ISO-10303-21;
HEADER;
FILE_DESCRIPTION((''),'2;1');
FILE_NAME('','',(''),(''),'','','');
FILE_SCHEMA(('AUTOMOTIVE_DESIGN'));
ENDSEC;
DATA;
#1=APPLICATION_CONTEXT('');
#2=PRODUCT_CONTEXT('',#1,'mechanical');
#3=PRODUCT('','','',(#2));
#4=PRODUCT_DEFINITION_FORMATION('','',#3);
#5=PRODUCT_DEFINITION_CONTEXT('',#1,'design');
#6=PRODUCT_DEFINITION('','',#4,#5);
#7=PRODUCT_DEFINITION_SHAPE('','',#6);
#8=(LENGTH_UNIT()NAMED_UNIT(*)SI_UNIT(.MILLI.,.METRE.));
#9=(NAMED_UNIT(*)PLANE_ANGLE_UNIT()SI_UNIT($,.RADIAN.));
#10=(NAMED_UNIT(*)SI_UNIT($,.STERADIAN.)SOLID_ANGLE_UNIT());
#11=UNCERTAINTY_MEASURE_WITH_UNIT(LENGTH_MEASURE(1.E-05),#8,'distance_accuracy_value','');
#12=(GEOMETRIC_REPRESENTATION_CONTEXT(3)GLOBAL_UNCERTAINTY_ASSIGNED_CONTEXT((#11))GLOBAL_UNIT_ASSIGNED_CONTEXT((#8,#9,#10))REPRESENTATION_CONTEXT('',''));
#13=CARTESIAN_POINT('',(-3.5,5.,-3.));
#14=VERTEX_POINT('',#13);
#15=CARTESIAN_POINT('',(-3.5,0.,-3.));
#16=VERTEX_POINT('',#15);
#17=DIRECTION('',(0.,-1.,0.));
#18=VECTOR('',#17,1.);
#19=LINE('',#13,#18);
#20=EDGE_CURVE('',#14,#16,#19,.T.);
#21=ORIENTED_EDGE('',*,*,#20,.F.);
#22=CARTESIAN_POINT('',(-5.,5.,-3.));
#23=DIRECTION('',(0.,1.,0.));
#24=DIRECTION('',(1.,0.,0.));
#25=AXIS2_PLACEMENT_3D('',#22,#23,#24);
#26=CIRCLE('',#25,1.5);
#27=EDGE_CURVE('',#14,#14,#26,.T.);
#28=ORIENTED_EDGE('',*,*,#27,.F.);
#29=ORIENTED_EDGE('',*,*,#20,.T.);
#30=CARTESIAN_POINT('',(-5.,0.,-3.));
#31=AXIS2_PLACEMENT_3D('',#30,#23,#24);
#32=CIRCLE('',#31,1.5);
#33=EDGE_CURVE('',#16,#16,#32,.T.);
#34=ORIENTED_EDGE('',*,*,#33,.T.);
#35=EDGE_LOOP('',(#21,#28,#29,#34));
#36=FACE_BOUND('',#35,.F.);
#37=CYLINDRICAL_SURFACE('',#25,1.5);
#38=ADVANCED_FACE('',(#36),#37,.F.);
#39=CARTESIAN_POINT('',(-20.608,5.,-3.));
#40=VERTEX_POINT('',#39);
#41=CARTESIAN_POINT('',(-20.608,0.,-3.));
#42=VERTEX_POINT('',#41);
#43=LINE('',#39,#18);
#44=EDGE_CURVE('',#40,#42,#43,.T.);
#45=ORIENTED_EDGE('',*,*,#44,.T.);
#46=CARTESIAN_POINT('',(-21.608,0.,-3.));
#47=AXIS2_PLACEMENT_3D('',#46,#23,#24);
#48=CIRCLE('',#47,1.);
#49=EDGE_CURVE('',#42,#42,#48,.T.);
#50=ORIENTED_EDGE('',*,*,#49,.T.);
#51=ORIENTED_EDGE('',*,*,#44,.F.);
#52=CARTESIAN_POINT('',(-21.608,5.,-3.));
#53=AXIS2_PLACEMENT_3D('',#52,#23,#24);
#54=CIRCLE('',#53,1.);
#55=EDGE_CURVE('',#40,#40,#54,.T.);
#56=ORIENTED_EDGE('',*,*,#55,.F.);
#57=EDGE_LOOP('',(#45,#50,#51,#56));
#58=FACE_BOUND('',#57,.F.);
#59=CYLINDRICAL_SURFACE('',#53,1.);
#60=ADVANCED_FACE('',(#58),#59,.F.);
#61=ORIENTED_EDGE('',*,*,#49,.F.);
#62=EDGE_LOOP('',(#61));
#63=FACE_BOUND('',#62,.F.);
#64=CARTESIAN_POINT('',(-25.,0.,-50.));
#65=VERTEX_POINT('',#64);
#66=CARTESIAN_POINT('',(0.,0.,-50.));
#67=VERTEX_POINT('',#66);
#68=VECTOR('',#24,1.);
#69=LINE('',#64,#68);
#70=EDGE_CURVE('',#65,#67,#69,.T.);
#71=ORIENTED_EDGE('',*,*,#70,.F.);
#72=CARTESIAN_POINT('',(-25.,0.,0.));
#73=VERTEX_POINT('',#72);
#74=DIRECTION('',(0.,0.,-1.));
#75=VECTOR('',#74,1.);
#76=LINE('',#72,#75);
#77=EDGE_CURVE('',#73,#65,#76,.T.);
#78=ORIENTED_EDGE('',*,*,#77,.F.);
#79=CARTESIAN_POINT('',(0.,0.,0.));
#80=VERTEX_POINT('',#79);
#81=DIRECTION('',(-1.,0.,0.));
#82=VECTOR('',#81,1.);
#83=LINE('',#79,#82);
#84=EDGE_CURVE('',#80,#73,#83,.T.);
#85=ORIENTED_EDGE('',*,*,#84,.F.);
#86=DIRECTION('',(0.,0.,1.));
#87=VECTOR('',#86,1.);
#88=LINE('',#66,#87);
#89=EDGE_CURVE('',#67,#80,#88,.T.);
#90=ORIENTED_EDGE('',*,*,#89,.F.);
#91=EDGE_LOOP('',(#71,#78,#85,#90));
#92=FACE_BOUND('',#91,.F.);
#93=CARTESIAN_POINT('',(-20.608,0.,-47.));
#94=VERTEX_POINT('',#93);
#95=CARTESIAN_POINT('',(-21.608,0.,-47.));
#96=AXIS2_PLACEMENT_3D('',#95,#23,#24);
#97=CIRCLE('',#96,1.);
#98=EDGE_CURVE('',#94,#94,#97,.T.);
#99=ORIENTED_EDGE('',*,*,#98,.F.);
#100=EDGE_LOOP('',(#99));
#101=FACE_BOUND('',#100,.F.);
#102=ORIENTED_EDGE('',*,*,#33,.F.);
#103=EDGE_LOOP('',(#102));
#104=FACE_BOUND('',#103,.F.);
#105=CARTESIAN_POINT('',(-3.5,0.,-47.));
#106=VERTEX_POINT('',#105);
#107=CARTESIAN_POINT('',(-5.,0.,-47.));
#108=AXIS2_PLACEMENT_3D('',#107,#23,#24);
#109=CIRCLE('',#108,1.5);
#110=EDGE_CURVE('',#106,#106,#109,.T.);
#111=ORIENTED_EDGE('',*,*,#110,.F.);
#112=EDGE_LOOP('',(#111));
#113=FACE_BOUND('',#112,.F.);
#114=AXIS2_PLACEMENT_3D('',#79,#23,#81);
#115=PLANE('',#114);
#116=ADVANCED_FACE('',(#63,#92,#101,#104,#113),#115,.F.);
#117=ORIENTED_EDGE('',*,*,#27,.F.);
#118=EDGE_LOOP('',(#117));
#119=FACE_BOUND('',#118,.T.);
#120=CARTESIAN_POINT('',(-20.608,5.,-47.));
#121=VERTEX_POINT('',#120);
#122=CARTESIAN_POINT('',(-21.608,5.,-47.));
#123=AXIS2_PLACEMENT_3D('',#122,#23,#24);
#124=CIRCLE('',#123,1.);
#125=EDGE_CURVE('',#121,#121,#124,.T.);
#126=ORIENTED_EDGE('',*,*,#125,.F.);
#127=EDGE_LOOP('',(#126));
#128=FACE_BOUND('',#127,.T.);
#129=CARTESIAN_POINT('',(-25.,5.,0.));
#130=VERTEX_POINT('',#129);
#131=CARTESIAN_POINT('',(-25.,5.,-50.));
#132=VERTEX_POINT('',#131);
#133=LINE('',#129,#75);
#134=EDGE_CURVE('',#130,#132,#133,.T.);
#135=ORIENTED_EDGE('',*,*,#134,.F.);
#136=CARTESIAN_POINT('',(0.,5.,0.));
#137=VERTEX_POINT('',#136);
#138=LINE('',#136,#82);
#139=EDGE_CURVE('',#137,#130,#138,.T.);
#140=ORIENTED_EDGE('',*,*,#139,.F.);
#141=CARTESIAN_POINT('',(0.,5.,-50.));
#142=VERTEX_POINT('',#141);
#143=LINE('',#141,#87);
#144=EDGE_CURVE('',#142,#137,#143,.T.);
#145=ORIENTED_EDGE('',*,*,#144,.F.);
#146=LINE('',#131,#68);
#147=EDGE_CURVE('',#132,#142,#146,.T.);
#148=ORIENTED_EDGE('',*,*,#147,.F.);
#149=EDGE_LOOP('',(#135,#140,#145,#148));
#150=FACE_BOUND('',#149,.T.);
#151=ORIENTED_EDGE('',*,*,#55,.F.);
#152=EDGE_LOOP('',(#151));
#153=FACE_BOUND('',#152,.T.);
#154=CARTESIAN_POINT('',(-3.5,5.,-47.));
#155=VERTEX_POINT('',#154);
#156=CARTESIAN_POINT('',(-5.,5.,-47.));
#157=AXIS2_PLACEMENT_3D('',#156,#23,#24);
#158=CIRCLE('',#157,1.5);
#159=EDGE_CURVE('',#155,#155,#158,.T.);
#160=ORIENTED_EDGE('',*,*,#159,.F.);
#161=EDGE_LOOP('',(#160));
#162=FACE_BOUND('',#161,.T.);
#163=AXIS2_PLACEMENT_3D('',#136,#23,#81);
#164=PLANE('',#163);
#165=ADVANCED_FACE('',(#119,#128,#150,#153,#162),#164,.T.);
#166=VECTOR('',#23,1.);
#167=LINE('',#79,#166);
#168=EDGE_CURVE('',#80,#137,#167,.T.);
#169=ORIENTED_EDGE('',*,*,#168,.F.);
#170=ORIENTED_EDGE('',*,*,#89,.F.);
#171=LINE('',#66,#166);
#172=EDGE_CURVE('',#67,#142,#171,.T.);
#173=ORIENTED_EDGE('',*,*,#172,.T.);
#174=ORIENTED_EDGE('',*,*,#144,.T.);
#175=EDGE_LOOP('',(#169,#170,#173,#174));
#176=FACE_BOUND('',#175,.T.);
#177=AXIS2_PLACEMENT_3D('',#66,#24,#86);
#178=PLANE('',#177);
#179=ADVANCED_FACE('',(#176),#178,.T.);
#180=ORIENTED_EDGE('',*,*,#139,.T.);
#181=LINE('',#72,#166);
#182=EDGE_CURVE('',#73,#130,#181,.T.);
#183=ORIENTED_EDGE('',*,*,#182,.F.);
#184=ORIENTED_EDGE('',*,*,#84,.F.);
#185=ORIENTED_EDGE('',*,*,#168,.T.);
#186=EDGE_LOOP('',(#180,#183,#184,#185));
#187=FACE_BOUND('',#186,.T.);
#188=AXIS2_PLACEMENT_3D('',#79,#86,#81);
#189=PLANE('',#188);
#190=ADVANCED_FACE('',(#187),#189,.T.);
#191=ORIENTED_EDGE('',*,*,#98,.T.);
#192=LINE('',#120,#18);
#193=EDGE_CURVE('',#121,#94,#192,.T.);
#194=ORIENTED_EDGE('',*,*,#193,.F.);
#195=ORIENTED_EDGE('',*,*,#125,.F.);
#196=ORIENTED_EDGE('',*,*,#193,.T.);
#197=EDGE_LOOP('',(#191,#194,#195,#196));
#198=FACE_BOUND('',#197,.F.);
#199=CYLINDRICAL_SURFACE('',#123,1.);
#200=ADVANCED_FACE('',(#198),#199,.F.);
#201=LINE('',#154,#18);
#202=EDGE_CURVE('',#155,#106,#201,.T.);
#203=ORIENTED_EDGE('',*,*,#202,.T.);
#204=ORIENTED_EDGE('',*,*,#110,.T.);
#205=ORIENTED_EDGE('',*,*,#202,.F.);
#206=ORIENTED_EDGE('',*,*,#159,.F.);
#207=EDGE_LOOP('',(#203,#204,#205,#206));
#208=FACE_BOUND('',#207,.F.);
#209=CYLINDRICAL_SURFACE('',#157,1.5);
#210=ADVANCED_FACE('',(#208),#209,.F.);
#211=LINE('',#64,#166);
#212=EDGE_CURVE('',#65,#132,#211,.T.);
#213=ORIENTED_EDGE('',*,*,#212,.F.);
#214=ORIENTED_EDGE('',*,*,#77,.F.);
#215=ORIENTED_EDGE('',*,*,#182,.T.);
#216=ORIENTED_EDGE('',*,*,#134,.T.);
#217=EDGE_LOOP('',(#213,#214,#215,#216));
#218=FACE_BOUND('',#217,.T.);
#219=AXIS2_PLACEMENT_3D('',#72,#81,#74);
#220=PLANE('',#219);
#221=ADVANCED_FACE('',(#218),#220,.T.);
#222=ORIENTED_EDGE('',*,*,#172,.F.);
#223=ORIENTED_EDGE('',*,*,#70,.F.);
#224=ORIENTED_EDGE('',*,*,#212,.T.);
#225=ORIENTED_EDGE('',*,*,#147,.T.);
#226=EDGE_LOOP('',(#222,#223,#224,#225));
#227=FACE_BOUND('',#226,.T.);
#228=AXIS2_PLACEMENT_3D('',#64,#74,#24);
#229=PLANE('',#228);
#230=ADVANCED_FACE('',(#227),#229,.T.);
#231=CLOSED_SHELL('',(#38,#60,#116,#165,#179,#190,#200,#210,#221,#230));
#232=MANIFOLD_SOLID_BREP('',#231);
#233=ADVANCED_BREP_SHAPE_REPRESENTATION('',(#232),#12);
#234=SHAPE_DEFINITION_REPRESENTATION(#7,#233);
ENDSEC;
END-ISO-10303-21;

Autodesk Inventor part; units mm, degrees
ref_plane "YZ Plane" through (0, 0, 0) normal (1, 0, 0) x (0, 1, 0)
ref_plane "XZ Plane" through (0, 0, 0) normal (0, 1, 0) x (-1, 0, 0)
ref_plane "XY Plane" through (0, 0, 0) normal (0, 0, 1) x (1, 0, 0)
sketch "Sketch1" plane through (0, 0, 0) normal (0, 1, 0) x (-1, 0, 0)
  line L0 (0, 0) -> (25, 0)
  line L1 (25, 0) -> (25, -50)
  line L2 (25, -50) -> (0, -50)
  line L3 (0, -50) -> (0, 0)
  dimension "d0" = 25
  dimension "d1" = 50
extrude "Extrusion1" add sketch "Sketch1" along normal blind 5
sketch "Sketch2" plane through (0, 5, 0) normal (0, 1, 0) x (1, 0, 0)
  point P0 (0, 0)
sketch "Sketch3" plane through (0, 5, 0) normal (0, 1, 0) x (1, 0, 0)
  circle A0 centre (-21.608, 3) radius 1
  circle A1 centre (-21.608, 47) radius 1
  line L0 (-25, 0) -> (0, 0) projected
  dimension "d4" = 2
  dimension "d5" = 2
  dimension "d6" = 44
  dimension "d7" = 3
extrude "Extrusion2" cut sketch "Sketch3" against normal through all
sketch "Sketch4" plane through (0, 5, 0) normal (0, 1, 0) x (1, 0, 0)
  circle A0 centre (-5, 3) radius 1.5
  circle A1 centre (-5, 47) radius 1.5
  point P0 (0, 0)
  dimension "d10" = 3
  dimension "d11" = 3
extrude "Extrusion3" cut sketch "Sketch4" against normal blind 10
properties part number "ULTREALJUD"
